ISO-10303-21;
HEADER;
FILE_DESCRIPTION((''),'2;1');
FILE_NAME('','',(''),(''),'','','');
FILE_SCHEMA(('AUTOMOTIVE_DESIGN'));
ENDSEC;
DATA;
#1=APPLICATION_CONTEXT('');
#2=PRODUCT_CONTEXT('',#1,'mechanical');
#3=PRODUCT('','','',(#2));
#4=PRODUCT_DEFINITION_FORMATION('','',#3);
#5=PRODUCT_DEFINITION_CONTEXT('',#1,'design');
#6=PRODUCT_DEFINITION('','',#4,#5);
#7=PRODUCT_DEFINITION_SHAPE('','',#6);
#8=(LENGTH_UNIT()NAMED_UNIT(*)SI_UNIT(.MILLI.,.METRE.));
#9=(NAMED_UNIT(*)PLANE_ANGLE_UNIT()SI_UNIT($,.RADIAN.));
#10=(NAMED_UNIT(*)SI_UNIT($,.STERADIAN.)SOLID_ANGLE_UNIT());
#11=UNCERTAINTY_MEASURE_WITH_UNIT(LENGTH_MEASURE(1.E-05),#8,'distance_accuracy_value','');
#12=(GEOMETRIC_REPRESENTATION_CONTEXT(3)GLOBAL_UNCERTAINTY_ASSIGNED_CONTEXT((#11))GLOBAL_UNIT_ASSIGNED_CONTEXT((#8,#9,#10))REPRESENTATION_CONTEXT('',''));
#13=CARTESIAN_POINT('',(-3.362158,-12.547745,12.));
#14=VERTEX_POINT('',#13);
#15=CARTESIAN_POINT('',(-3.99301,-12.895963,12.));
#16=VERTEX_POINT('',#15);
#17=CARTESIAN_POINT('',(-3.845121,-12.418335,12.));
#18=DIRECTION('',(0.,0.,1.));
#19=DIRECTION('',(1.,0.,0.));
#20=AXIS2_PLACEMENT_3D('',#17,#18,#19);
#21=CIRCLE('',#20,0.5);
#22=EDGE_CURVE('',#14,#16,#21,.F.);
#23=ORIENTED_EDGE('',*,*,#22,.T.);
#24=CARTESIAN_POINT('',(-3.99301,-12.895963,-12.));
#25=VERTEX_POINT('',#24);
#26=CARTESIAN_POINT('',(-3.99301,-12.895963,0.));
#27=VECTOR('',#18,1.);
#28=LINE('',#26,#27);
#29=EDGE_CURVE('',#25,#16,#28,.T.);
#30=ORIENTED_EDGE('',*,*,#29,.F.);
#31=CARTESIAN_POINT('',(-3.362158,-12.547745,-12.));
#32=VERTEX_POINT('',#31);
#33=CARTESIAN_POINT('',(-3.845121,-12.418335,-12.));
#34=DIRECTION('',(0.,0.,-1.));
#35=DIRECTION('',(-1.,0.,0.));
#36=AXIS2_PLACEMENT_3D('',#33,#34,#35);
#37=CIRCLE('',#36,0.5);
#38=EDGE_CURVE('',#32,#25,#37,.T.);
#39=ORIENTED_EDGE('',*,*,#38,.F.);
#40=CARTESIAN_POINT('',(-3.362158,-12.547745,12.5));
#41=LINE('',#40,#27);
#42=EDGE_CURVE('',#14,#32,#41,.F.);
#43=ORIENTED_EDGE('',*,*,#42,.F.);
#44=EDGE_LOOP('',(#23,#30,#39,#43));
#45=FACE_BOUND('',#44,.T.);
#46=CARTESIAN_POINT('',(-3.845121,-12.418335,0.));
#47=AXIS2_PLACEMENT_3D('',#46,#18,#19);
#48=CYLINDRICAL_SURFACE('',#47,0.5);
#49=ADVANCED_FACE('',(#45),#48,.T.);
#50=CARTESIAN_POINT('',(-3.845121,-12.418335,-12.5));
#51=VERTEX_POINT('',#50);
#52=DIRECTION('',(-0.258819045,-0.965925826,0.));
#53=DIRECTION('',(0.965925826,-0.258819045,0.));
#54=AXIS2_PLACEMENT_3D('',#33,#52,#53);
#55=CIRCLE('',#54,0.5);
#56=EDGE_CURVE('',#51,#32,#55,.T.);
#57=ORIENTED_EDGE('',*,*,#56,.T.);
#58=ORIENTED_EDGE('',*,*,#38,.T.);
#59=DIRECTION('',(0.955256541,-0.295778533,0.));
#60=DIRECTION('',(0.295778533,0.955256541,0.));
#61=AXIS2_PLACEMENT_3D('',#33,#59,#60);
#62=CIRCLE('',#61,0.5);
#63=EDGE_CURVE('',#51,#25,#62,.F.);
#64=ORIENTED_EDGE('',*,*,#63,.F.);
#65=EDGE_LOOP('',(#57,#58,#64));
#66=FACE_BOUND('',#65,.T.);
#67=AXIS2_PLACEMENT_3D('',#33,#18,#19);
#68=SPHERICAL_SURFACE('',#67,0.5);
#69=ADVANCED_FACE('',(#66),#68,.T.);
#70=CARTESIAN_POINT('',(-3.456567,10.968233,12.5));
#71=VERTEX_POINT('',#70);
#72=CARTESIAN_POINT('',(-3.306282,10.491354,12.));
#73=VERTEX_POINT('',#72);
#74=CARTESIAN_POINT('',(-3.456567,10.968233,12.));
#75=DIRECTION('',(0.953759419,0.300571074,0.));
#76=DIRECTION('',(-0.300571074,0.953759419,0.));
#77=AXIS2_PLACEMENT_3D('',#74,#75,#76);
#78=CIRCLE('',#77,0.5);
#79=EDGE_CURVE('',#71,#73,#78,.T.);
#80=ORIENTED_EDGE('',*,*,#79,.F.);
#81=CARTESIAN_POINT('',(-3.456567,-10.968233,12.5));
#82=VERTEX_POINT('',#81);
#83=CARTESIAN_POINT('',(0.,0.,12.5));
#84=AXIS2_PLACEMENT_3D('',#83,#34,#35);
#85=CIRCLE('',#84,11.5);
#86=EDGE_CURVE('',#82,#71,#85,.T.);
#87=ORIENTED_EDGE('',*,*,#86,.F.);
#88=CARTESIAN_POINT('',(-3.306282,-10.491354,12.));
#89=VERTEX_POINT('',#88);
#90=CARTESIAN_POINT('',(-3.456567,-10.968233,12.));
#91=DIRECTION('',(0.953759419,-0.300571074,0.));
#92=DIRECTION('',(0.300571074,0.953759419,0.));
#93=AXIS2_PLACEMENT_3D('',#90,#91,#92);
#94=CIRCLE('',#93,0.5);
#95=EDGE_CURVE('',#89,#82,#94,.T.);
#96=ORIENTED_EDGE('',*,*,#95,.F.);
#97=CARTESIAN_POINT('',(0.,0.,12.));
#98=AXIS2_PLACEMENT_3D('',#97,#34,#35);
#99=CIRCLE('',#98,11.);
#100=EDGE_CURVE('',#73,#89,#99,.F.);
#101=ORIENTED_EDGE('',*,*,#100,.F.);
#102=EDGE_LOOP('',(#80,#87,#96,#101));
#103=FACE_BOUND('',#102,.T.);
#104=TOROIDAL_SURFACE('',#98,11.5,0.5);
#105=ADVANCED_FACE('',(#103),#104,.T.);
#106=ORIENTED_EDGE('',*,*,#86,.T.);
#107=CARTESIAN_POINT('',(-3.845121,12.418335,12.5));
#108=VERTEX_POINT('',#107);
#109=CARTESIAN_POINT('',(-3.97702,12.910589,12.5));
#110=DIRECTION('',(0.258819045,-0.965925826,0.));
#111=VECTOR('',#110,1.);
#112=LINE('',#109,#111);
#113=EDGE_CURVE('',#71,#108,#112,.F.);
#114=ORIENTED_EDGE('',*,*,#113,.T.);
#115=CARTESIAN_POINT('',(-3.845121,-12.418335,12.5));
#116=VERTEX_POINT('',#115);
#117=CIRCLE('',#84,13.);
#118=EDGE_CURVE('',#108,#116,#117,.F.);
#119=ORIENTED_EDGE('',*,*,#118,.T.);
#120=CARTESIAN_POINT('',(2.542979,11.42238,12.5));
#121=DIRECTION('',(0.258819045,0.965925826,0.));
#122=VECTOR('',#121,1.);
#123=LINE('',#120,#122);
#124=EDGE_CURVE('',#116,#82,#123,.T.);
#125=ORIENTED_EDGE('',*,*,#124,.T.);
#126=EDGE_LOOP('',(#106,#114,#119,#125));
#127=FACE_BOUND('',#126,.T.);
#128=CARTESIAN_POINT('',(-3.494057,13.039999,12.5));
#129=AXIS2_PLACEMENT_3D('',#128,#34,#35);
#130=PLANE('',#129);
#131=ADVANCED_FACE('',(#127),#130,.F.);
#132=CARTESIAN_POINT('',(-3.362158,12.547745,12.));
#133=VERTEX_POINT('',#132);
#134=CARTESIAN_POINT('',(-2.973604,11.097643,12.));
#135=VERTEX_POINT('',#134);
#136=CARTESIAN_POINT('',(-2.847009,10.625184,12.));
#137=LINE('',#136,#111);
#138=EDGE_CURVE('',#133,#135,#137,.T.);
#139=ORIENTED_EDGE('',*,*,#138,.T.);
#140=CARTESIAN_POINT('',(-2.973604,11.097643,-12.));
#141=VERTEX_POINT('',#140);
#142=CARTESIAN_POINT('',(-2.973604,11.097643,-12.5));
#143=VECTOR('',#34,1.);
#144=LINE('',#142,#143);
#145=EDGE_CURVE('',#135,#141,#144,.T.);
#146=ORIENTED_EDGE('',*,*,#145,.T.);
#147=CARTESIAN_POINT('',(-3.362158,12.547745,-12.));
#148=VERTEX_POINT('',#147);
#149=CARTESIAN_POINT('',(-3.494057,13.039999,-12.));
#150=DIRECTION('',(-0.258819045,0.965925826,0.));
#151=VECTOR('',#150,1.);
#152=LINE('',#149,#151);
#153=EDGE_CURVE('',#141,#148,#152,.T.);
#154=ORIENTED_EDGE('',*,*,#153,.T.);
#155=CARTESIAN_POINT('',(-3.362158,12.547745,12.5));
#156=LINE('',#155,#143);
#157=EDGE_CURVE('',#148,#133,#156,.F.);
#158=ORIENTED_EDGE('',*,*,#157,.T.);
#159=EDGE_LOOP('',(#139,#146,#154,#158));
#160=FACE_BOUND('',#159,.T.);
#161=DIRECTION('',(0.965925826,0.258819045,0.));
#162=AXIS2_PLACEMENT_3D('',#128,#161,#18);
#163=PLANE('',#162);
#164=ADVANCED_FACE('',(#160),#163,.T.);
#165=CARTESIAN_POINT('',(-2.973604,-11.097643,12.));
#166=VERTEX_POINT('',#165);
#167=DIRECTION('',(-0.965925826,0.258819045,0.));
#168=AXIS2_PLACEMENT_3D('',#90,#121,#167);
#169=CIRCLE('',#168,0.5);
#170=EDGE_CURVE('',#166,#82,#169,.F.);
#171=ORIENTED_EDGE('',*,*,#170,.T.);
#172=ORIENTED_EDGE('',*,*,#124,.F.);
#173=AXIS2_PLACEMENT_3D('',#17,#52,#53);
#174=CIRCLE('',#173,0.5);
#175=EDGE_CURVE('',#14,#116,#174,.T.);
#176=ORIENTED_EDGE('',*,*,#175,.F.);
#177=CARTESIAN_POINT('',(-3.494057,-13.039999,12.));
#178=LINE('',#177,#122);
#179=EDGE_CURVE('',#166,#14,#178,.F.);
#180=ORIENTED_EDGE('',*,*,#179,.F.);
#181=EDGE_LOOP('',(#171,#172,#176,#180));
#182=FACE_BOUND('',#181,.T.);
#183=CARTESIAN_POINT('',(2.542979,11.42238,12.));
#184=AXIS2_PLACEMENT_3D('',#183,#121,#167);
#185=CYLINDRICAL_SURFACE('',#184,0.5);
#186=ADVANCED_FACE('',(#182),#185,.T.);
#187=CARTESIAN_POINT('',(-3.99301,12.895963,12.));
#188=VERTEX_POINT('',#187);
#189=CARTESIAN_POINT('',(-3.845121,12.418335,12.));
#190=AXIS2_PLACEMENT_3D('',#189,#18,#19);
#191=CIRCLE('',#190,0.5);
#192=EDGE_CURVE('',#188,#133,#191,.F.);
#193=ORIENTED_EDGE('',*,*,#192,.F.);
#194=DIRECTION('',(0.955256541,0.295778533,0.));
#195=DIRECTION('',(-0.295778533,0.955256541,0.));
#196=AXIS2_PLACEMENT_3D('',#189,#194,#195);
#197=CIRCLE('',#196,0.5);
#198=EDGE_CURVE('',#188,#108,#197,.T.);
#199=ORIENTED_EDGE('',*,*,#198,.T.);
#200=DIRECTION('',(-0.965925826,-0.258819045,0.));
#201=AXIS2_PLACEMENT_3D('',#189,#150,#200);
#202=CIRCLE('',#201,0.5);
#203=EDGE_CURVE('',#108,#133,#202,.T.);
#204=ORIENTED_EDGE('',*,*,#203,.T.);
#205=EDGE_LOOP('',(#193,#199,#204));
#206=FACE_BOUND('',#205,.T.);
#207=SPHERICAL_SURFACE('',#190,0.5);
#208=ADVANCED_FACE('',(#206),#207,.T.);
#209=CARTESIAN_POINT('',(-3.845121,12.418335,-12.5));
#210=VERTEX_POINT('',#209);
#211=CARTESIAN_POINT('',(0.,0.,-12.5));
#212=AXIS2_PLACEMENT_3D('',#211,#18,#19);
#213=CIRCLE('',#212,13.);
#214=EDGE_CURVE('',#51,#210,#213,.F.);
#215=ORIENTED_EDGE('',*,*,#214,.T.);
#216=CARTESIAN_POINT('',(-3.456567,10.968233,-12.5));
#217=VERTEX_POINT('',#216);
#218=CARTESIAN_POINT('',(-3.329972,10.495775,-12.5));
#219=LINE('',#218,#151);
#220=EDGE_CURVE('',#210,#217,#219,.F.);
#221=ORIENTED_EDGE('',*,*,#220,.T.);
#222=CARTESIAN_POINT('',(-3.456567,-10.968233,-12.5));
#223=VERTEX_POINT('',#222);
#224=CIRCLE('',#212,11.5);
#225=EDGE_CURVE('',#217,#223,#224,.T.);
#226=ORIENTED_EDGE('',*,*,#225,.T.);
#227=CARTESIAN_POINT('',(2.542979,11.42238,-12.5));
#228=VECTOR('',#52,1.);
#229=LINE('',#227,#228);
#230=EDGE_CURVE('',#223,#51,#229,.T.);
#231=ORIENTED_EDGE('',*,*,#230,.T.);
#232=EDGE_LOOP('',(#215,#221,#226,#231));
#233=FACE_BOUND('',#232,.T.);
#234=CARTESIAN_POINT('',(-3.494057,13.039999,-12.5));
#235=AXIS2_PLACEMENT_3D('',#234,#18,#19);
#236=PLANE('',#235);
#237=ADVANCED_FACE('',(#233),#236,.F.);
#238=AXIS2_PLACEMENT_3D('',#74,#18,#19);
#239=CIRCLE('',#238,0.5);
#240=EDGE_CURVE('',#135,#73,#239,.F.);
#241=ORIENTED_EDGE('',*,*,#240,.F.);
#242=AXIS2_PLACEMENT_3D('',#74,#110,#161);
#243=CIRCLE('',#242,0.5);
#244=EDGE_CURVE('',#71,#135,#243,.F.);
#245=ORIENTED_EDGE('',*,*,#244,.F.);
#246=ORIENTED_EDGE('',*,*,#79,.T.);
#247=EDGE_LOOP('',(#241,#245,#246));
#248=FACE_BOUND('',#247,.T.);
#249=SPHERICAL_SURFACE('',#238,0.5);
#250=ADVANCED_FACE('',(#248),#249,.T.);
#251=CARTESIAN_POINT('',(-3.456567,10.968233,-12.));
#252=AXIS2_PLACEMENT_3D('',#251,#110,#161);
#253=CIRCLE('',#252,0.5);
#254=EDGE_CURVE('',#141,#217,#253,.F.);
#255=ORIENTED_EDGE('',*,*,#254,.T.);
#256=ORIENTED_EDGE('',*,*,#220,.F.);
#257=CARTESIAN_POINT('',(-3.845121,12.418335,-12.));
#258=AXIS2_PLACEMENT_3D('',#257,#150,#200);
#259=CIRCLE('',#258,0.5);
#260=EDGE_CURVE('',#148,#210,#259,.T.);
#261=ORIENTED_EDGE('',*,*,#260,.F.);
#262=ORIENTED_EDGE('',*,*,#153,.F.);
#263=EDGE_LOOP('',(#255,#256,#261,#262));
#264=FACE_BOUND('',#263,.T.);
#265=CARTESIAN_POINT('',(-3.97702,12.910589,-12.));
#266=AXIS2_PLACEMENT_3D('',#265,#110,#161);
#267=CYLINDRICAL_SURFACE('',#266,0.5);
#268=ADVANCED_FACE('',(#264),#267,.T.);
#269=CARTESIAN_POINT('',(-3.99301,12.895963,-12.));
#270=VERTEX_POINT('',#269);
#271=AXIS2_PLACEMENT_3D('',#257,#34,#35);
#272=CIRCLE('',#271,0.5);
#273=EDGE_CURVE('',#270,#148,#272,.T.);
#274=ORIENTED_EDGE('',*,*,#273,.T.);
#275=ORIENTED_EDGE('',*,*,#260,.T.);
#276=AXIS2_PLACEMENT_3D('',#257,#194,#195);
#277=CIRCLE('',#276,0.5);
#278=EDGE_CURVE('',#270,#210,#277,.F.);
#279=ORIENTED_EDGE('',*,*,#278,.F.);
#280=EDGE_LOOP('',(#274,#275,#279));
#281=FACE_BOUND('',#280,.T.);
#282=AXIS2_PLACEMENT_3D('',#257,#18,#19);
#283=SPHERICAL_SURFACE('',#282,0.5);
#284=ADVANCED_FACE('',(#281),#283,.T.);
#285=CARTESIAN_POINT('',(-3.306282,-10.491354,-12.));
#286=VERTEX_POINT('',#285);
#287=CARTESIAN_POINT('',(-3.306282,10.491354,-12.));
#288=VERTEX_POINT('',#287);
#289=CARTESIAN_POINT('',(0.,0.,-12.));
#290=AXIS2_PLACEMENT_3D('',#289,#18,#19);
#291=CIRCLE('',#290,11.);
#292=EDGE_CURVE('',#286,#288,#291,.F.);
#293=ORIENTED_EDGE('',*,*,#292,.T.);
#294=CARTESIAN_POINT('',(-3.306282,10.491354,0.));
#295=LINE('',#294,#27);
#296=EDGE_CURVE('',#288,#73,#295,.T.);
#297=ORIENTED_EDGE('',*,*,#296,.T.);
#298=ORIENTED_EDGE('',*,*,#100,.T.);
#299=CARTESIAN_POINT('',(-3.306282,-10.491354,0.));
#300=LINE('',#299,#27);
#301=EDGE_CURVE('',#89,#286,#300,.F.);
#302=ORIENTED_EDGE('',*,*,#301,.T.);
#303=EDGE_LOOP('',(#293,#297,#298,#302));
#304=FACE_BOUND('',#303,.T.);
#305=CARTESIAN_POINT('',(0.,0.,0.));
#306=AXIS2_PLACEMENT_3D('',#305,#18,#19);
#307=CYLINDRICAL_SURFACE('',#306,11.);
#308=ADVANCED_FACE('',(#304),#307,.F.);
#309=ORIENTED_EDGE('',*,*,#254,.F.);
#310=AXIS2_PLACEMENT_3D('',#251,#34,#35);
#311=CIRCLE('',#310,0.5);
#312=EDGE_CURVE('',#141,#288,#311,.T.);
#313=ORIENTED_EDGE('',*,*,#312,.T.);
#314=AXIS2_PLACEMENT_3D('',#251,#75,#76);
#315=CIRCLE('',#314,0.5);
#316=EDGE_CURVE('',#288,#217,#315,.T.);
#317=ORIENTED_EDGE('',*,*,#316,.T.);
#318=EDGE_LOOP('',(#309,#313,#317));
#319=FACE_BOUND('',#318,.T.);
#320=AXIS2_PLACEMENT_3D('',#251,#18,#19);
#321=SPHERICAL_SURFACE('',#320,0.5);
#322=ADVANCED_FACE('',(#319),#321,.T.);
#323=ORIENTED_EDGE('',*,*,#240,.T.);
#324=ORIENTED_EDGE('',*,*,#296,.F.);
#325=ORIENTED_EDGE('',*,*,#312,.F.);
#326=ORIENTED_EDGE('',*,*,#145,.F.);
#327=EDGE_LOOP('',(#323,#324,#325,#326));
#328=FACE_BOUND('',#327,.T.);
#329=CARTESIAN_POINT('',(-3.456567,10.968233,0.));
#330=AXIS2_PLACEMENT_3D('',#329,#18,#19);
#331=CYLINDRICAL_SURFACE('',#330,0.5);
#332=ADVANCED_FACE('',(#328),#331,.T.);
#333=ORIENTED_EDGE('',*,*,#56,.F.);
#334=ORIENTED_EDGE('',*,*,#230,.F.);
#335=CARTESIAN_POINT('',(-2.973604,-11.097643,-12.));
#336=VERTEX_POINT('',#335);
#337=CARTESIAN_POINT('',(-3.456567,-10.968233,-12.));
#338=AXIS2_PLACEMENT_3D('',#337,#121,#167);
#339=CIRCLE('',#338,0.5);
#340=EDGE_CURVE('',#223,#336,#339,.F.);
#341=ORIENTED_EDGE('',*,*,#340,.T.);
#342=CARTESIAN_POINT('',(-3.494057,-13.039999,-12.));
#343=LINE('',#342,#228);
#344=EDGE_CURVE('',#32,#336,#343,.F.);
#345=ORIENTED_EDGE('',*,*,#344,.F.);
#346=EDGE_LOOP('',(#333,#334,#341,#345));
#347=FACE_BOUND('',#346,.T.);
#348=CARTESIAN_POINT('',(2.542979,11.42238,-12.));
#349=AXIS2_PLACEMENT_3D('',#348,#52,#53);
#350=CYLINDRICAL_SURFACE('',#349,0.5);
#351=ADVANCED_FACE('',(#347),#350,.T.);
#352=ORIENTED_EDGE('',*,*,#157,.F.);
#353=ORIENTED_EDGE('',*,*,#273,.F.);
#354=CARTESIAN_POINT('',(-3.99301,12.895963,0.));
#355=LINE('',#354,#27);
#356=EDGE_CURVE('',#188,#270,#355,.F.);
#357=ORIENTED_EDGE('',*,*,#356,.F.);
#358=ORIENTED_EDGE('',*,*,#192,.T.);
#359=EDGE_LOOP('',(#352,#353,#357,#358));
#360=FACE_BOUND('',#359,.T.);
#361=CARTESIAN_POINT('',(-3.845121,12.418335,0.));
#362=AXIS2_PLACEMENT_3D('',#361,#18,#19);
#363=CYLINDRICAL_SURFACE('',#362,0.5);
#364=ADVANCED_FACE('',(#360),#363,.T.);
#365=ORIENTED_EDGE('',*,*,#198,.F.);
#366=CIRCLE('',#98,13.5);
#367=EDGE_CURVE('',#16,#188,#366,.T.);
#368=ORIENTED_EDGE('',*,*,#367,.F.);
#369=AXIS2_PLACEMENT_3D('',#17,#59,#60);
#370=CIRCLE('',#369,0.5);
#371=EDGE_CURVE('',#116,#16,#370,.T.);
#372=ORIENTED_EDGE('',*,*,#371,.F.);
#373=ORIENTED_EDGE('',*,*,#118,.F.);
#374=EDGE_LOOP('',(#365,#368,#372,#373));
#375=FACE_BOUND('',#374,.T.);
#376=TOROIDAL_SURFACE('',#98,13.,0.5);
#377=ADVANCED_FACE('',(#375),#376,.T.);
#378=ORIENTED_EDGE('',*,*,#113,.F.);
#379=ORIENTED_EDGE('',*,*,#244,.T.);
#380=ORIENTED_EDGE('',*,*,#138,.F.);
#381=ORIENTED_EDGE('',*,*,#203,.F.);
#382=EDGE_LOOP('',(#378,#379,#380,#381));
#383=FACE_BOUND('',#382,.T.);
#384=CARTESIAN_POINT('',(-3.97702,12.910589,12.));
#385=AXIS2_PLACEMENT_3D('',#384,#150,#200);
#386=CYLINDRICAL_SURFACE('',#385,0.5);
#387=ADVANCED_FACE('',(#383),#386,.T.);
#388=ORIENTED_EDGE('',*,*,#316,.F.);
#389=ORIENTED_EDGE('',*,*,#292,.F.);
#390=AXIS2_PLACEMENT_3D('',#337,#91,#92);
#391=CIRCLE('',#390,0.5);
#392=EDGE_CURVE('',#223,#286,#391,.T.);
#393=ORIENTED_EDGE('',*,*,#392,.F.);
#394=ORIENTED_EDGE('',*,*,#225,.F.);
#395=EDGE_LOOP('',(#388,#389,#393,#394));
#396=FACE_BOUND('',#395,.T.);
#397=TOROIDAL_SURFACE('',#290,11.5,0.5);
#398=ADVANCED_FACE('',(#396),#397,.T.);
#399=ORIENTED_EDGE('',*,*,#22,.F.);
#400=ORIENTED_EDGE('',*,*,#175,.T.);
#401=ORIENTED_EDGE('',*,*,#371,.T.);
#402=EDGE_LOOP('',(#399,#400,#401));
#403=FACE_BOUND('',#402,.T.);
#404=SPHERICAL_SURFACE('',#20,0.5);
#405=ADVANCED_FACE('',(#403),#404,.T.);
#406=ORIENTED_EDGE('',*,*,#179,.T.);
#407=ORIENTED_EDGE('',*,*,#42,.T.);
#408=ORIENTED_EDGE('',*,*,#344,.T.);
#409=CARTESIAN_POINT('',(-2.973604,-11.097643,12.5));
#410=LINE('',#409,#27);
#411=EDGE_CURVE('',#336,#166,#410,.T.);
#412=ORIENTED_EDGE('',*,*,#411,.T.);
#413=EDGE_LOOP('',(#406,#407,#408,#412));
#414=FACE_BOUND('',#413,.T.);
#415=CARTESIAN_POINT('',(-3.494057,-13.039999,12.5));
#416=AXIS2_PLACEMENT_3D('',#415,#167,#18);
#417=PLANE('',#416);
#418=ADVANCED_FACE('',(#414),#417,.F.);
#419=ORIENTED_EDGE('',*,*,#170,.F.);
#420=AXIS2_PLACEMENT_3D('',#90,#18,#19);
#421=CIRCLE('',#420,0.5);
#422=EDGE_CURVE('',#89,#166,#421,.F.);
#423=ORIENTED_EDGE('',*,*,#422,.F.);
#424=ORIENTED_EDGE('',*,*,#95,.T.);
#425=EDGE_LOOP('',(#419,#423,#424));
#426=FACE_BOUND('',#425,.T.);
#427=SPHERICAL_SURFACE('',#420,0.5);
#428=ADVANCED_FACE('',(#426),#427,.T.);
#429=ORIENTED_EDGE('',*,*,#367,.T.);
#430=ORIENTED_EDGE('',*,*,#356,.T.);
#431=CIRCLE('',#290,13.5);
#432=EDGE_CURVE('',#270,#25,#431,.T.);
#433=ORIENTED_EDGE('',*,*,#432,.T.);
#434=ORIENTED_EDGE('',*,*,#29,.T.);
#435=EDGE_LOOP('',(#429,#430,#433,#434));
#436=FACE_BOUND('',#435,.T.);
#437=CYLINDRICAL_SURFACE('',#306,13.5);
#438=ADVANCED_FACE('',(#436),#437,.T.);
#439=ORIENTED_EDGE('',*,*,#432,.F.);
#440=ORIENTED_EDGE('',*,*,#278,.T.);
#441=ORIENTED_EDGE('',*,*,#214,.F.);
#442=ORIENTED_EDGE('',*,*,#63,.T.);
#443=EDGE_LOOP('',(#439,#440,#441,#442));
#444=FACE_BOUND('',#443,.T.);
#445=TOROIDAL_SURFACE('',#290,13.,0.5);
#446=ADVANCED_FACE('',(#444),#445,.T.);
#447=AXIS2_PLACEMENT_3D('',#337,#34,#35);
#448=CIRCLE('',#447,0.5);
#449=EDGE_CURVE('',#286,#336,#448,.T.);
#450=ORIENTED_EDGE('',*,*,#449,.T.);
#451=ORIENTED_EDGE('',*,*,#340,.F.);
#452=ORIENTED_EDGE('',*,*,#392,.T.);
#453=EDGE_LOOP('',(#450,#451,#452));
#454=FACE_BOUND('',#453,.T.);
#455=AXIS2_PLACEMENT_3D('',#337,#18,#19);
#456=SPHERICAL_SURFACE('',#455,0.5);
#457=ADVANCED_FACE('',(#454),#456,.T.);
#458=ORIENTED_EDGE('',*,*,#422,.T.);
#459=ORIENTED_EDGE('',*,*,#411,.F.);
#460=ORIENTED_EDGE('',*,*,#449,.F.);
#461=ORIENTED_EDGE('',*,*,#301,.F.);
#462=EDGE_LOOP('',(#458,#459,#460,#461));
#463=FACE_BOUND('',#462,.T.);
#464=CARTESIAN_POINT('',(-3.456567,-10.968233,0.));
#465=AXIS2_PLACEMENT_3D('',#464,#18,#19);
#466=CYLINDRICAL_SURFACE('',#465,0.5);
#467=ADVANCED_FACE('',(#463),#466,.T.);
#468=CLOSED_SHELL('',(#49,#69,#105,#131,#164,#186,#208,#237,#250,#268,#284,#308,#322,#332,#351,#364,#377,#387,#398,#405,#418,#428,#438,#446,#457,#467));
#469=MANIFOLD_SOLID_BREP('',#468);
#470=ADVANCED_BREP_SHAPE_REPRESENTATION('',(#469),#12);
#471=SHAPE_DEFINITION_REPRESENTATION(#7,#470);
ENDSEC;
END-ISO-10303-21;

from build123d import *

# Parameters (mm, degrees)
SKETCH1_W      = 2.5
SKETCH1_H      = 25
REVOLVE1_ANGLE = 150
FILLET1_R      = 0.5


with BuildPart() as part:
    # Sketch1 → Revolve1 (revolve, symmetric)
    with BuildSketch(Plane(origin=(0, 0, 0), x_dir=(1, 0, 0), z_dir=(0, 1, 0))) as revolve1_sk:
        with Locations((-12.25, 0)):
            Rectangle(SKETCH1_W, SKETCH1_H)
    revolve(axis=Axis((0, 0, 0), (0, 0, -1)), revolution_arc=REVOLVE1_ANGLE / 2)
    revolve(revolve1_sk.sketch, axis=Axis((0, 0, 0), (0, 0, 1)), revolution_arc=REVOLVE1_ANGLE / 2)

    # Fillet1
    fillet1_edges = [part.edges().sort_by_distance(p)[0] for p in [
        (-2.847009496, 10.625184089, 0),
        (-3.170533303, 11.832591372, -12.5),
        (-3.170533303, -11.832591372, -12.5),
        (-3.494057109, -13.039998655, 0),
        (-3.170533303, -11.832591372, 12.5),
        (-3.494057109, 13.039998655, 0),
        (-2.847009496, -10.625184089, 0),
        (-13.5, 0, -12.5),
        (-11, 0, -12.5),
        (-11, 0, 12.5),
        (-13.5, 0, 12.5),
        (-3.170533303, 11.832591372, 12.5),
    ]]
    fillet(fillet1_edges, radius=FILLET1_R)


solid = part.part
